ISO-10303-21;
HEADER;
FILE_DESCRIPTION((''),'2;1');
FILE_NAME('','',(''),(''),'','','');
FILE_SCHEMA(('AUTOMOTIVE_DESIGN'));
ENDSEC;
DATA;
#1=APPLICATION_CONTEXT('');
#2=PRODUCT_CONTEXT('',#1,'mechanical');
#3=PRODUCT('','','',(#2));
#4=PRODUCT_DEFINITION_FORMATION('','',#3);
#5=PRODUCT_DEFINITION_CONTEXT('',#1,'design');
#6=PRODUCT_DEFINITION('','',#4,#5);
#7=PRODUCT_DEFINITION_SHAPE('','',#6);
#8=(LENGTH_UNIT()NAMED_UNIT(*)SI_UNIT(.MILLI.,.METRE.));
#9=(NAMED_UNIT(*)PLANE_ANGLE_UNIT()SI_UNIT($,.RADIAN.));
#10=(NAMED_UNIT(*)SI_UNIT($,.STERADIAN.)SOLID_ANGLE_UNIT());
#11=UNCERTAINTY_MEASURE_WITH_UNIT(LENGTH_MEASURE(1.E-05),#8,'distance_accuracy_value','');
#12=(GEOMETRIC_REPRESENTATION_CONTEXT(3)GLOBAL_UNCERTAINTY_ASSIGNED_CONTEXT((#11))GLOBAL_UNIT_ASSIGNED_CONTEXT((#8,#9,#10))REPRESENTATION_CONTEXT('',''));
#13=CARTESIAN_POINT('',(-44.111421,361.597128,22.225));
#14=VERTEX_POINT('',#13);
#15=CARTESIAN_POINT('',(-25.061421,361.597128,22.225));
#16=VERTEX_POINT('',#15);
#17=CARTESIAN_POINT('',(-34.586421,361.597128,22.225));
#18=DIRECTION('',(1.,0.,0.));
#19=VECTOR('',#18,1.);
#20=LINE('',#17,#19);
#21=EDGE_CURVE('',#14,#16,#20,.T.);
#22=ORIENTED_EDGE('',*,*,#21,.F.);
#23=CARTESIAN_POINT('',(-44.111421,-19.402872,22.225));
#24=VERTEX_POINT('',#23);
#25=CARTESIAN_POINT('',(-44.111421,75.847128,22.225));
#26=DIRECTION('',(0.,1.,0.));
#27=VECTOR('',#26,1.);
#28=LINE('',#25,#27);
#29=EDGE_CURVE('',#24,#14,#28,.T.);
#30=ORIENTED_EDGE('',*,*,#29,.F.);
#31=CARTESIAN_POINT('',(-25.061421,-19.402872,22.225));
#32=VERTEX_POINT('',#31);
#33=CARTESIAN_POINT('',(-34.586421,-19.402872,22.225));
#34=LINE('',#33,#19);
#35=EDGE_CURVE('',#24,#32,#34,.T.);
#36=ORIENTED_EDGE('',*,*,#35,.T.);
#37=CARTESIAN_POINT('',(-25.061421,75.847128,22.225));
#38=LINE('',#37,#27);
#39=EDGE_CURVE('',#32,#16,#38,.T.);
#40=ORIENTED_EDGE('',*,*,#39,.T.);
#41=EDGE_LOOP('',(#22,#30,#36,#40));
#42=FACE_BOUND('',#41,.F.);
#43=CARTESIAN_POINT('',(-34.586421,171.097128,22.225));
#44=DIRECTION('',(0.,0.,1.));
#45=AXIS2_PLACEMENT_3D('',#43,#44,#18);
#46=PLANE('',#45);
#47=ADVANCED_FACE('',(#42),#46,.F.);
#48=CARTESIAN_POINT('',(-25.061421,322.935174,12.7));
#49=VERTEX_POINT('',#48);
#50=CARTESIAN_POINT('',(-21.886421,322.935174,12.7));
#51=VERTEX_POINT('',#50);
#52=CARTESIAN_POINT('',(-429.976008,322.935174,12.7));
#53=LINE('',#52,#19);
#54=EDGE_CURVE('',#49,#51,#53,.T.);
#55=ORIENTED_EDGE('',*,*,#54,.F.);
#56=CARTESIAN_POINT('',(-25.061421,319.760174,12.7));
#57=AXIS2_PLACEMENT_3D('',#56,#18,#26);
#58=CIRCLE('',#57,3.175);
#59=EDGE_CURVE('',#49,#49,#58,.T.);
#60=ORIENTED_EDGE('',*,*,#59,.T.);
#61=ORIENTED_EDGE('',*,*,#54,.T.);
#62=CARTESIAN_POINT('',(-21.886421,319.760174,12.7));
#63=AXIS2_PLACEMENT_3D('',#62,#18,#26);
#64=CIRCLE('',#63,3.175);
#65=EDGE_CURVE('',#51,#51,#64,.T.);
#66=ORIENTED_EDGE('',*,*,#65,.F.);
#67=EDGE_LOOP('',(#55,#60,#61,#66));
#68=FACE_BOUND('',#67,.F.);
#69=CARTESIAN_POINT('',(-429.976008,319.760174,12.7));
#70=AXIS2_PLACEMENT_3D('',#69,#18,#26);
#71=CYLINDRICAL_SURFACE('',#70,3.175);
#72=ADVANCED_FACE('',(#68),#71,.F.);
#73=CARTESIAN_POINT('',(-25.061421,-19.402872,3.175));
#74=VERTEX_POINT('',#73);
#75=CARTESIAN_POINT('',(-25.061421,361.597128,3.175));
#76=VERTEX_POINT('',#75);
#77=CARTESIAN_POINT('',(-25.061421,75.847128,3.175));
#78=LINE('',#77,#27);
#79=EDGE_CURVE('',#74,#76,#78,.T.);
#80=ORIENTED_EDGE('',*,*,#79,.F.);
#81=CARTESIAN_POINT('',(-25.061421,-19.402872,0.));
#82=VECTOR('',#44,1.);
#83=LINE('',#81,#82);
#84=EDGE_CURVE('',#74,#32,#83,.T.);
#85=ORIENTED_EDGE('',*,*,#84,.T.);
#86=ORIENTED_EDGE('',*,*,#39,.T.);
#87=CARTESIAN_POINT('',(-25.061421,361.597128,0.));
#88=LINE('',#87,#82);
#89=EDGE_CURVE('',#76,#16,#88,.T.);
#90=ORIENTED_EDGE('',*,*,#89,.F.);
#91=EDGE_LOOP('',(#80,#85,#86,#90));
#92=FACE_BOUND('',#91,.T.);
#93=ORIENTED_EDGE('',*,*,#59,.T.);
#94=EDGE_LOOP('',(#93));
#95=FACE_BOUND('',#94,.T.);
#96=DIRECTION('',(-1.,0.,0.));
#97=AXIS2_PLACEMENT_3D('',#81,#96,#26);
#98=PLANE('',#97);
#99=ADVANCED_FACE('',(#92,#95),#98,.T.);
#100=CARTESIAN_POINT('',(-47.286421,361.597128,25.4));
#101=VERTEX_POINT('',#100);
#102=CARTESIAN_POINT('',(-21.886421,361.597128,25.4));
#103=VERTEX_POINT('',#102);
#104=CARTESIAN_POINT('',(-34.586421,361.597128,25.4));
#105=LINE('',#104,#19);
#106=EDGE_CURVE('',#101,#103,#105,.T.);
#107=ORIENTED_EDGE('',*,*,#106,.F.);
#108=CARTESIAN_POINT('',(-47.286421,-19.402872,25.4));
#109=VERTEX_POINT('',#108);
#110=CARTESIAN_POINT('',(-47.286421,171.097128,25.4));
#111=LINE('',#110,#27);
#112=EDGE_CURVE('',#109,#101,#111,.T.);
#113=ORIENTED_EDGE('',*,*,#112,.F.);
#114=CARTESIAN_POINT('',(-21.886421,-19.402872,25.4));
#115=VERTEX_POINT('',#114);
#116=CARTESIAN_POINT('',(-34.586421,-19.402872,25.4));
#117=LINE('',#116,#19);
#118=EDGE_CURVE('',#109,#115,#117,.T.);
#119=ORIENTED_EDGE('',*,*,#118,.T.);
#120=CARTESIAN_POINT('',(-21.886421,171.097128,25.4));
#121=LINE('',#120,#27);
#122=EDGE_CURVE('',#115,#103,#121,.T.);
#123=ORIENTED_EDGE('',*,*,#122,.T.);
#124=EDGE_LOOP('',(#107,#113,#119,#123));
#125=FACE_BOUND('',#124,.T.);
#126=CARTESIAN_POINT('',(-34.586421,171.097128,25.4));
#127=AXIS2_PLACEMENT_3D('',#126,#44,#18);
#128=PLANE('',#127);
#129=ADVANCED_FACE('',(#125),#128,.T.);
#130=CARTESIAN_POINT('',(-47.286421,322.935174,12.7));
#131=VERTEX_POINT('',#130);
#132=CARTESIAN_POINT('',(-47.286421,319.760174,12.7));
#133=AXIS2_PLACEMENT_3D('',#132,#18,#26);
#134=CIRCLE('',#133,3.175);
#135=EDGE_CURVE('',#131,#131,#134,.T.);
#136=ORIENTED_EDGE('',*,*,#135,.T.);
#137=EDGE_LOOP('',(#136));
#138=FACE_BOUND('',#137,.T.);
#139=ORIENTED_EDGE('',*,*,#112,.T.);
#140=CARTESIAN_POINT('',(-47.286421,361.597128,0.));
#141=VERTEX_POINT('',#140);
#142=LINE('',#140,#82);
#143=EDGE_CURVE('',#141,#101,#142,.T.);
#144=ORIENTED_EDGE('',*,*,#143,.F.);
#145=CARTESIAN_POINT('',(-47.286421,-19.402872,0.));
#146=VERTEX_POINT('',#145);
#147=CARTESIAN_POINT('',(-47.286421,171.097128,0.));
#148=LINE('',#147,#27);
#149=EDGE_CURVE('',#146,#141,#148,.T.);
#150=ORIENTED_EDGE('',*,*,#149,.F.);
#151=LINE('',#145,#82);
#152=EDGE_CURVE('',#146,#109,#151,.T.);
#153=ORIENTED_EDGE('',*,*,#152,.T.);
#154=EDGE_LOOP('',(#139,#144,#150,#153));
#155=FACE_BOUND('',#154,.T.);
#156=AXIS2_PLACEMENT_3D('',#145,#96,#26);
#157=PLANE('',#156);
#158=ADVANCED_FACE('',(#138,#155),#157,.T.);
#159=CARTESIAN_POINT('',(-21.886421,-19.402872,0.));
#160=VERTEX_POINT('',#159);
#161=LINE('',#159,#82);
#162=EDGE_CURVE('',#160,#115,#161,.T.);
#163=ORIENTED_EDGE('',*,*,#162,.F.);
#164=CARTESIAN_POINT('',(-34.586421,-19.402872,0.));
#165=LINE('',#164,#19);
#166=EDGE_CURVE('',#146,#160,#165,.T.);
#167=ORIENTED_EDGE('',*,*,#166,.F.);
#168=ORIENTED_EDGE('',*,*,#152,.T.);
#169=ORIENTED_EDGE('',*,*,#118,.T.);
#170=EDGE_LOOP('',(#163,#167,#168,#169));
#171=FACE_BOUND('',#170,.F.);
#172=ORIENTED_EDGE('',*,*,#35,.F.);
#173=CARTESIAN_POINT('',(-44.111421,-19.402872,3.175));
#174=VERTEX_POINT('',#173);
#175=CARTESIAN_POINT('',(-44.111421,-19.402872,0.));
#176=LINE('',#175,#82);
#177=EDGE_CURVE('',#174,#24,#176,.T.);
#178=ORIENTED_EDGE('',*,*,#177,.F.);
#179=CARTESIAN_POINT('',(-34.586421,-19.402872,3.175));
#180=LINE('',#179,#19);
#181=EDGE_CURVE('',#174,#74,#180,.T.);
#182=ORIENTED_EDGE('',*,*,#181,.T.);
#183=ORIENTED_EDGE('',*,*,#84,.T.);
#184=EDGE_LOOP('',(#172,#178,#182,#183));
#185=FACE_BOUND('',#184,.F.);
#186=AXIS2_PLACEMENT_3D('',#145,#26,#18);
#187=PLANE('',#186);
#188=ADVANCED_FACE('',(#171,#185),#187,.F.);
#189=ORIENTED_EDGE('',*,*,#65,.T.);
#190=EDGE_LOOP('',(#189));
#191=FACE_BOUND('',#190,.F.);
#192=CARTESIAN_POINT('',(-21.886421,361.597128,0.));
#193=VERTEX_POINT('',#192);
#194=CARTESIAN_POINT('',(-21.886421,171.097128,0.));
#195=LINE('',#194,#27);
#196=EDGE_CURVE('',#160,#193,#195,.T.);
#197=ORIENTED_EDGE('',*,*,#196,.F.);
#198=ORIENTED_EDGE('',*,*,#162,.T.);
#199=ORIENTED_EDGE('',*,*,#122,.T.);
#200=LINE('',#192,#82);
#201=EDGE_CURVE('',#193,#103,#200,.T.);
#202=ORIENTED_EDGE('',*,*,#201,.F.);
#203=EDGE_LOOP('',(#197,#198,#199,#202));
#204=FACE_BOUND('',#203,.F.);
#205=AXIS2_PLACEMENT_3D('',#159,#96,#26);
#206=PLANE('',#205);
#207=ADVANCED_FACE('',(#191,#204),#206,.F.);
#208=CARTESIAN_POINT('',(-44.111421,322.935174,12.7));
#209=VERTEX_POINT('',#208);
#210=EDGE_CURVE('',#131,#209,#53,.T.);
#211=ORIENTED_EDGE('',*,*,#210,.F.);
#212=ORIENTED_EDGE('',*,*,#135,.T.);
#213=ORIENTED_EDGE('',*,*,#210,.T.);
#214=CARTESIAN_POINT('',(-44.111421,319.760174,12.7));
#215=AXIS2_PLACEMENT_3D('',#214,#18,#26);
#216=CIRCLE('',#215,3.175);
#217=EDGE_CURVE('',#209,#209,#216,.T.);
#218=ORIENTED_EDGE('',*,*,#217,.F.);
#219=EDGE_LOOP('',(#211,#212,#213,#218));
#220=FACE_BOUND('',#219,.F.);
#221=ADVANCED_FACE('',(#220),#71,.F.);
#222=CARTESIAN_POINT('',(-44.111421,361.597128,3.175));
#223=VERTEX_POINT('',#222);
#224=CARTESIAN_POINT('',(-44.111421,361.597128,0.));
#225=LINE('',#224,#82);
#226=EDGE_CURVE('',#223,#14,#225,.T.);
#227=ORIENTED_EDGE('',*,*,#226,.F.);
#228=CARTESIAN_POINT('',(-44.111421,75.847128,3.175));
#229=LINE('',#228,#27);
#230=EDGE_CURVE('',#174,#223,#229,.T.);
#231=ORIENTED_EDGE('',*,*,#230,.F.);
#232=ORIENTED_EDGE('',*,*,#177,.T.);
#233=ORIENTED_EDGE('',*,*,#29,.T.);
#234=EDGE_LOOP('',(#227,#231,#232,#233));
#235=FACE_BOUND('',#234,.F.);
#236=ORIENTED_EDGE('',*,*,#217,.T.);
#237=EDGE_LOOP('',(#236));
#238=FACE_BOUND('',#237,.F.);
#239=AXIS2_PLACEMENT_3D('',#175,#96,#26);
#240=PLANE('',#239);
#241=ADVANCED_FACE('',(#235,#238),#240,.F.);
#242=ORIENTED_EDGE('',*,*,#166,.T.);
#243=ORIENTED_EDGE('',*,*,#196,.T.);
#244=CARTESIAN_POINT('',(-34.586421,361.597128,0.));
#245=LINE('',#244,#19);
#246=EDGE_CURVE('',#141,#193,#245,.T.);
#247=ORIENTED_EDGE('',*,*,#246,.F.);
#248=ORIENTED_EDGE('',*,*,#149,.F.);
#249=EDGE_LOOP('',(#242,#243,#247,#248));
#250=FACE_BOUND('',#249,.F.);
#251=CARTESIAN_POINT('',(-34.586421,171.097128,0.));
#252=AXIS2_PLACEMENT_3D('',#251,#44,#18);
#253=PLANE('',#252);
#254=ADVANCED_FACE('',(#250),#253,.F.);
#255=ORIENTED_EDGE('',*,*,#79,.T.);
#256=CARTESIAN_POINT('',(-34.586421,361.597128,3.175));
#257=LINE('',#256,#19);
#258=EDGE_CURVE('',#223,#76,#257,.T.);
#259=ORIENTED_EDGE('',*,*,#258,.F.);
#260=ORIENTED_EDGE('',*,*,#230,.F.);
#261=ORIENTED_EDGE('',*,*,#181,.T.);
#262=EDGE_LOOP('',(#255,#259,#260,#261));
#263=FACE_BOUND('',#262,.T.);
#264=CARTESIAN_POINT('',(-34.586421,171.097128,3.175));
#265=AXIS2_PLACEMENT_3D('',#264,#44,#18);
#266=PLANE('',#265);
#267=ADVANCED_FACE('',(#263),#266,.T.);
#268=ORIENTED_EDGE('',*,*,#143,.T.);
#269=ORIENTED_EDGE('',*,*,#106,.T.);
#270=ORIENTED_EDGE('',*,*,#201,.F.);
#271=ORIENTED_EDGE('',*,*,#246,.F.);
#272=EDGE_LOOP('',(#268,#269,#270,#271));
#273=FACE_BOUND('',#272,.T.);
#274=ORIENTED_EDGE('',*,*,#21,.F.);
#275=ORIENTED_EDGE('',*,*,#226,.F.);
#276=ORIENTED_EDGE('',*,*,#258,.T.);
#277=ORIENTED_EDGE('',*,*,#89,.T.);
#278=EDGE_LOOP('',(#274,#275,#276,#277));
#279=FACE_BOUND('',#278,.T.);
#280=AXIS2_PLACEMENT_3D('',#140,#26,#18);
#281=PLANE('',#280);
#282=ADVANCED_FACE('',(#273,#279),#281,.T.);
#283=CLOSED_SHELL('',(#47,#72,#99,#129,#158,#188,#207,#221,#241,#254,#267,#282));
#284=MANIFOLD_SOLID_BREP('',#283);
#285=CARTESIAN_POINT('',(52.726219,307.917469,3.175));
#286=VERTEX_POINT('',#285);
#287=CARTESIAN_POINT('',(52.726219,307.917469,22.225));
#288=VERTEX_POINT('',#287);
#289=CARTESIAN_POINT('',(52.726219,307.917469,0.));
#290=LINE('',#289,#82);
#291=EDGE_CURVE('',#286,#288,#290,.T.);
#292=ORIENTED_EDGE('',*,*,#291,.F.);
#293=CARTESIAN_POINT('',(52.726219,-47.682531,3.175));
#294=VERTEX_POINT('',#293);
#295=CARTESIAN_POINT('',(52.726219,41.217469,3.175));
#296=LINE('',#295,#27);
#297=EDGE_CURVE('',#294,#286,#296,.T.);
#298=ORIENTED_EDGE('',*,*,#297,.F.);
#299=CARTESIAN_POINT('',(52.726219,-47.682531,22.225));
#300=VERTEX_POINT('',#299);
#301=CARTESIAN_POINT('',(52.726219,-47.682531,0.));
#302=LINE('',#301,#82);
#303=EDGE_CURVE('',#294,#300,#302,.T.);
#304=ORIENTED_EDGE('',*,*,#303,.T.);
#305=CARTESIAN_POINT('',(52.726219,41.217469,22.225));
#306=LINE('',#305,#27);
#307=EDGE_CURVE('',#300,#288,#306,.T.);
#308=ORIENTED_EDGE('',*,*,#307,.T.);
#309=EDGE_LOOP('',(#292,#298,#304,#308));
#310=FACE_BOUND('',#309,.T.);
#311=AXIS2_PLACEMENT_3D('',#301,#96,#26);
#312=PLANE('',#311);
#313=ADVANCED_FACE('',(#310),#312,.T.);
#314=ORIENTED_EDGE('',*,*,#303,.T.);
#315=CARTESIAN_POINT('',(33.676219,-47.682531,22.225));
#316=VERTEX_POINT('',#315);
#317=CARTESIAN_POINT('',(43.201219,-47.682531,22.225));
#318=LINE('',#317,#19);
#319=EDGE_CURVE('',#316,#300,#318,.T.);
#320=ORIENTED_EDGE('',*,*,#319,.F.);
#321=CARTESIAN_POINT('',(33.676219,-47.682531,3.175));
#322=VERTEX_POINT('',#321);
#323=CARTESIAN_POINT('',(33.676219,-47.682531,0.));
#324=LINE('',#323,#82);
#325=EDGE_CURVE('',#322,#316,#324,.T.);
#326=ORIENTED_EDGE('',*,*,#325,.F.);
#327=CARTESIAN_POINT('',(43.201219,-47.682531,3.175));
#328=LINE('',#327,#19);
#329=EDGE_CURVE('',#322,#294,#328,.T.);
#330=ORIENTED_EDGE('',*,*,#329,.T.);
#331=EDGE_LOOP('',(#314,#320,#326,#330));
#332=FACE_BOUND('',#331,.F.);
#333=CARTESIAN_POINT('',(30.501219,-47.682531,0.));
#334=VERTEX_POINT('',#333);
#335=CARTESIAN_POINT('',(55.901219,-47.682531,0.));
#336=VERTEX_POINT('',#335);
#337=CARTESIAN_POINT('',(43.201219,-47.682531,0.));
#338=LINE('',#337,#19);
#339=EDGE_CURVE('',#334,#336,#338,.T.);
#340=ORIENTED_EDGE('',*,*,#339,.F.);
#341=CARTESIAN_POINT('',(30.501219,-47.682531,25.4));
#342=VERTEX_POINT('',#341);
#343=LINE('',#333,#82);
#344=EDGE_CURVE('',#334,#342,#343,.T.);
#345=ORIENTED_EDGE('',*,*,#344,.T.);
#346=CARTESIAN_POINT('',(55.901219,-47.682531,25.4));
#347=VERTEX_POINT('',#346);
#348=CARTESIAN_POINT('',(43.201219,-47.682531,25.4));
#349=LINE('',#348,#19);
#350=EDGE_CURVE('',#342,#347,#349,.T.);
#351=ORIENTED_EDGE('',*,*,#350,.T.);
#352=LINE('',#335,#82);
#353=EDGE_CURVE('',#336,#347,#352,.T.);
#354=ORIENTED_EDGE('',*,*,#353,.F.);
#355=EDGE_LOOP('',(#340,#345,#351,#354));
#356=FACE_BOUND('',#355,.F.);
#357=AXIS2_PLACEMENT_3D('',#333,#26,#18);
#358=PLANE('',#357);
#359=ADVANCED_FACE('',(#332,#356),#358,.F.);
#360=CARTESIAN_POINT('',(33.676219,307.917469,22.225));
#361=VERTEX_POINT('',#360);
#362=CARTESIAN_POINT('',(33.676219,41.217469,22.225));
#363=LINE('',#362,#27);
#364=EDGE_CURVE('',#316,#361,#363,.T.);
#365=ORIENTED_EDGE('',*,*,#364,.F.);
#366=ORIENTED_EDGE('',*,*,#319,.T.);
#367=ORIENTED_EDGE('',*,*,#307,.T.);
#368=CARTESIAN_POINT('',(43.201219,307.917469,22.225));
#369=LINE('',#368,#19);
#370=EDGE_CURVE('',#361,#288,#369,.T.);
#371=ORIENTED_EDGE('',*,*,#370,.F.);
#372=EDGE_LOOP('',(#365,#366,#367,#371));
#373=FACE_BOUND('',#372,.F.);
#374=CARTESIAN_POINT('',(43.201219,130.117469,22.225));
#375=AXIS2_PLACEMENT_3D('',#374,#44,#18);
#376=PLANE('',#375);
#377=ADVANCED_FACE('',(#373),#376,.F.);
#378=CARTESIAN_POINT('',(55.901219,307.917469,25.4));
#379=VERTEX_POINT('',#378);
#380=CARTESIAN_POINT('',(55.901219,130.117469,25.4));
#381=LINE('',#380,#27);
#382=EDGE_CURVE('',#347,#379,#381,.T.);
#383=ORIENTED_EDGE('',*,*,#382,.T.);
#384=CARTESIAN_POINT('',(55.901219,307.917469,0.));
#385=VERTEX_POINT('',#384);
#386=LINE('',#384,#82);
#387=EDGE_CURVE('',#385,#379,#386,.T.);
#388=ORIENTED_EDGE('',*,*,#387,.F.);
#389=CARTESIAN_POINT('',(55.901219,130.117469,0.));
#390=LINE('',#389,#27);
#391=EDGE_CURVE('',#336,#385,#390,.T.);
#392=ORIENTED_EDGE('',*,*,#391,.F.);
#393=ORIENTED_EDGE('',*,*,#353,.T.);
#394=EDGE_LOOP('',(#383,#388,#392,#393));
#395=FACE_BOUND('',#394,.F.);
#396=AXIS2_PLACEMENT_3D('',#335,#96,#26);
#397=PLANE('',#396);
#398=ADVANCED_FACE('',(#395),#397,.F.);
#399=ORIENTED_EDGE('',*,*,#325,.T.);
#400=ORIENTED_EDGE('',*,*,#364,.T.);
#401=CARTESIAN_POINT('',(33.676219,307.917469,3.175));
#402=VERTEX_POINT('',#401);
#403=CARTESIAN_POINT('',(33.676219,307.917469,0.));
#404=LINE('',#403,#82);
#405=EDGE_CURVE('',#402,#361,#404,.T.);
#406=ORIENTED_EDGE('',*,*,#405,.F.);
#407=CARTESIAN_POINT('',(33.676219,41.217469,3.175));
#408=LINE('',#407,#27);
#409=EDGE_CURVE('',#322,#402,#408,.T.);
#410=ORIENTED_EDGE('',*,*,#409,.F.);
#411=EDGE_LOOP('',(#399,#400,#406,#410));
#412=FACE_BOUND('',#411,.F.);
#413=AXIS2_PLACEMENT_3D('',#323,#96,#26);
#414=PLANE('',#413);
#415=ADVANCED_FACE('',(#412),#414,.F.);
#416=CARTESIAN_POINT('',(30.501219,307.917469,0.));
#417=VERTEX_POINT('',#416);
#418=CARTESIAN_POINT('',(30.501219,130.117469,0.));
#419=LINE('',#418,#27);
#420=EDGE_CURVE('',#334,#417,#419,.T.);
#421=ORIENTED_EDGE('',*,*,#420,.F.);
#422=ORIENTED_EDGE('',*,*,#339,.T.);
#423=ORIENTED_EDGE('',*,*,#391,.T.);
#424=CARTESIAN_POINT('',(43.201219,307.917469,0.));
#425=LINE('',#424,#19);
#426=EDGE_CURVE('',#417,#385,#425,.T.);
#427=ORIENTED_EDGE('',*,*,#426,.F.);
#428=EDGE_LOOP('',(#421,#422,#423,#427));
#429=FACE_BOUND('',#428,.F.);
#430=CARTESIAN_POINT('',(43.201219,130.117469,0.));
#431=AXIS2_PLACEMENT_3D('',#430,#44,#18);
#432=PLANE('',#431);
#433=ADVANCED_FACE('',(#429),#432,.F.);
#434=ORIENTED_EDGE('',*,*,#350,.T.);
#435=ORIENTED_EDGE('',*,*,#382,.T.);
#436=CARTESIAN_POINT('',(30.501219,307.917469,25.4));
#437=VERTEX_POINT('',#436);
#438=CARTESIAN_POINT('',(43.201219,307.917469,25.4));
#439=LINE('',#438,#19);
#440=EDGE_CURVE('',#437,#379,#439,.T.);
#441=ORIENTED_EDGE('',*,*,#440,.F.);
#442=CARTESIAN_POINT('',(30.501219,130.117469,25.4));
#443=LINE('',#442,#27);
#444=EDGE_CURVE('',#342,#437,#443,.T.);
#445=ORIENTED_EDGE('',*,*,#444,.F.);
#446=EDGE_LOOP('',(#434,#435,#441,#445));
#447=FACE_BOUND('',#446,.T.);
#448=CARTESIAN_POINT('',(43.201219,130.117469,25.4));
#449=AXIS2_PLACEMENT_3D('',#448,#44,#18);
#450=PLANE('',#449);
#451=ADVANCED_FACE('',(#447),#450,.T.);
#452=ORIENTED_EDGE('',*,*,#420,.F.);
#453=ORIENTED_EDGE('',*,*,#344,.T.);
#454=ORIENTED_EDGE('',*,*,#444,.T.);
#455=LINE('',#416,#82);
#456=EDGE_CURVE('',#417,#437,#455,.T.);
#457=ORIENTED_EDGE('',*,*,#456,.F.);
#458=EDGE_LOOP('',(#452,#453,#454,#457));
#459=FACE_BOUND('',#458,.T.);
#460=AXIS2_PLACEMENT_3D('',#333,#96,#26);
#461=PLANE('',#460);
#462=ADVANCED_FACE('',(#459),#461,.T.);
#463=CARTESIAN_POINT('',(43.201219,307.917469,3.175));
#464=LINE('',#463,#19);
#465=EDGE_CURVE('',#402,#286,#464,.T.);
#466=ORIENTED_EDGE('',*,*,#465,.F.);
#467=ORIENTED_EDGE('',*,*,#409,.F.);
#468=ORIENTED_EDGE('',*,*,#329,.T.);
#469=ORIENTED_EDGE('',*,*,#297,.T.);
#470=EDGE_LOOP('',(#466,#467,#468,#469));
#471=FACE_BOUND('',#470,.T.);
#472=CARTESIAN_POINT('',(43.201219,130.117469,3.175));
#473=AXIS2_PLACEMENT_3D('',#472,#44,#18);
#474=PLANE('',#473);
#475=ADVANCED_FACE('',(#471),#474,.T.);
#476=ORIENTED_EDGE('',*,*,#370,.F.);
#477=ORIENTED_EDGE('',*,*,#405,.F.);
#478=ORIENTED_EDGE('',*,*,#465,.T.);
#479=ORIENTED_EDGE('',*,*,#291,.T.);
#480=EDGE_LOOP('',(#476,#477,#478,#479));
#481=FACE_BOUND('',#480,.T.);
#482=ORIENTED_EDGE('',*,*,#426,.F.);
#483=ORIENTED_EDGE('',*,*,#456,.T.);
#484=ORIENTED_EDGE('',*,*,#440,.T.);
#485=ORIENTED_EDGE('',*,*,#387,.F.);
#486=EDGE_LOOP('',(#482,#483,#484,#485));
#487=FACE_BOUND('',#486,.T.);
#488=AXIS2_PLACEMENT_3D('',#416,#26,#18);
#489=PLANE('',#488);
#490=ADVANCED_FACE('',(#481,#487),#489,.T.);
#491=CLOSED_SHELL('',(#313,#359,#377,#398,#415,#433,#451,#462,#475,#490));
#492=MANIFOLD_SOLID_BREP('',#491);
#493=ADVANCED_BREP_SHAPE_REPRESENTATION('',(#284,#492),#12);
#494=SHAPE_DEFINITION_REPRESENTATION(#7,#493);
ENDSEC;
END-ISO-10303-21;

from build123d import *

# Parameters (mm, degrees)
F0_W     = 25.4
F0_H     = 381
F1_DEPTH = 25.4
F0_H_2   = 355.6
F2_T     = -3.175
F2_2_T   = -3.175
F4_D     = 6.35


with BuildPart() as f1:
    # F0 (on Top) → F1 (new body)
    with BuildSketch(Plane.XY):
        with Locations((-34.586421214, 171.0971277789)):
            Rectangle(F0_W, F0_H)
    extrude(amount=F1_DEPTH)

    # F2
    f2_openings = [f1.faces().sort_by_distance(p)[0] for p in [
        (-34.586421, -19.402872, 12.7),
        (-34.586421, 361.597128, 12.7),
    ]]
    offset(amount=F2_T, openings=f2_openings)

    # F4 (through all)
    with Locations(Plane(origin=(-47.286421214, 0, 0), x_dir=(0, -1, 0), z_dir=(-1, 0, 0))):
        with Locations((-319.7601735592, 12.7)):
            Hole(F4_D / 2)


with BuildPart() as f1b:
    # F0 (on Top) → F1, piece 2 (new body)
    with BuildSketch(Plane.XY):
        with Locations((43.2012185127, 130.117468822)):
            Rectangle(F0_W, F0_H_2)
    extrude(amount=F1_DEPTH)

    # F2#2
    f2_2_openings = [f1b.faces().sort_by_distance(p)[0] for p in [
        (43.201219, -47.682531, 12.7),
        (43.201219, 307.917469, 12.7),
    ]]
    offset(amount=F2_2_T, openings=f2_2_openings)


solid = Compound([f1.part, f1b.part])
